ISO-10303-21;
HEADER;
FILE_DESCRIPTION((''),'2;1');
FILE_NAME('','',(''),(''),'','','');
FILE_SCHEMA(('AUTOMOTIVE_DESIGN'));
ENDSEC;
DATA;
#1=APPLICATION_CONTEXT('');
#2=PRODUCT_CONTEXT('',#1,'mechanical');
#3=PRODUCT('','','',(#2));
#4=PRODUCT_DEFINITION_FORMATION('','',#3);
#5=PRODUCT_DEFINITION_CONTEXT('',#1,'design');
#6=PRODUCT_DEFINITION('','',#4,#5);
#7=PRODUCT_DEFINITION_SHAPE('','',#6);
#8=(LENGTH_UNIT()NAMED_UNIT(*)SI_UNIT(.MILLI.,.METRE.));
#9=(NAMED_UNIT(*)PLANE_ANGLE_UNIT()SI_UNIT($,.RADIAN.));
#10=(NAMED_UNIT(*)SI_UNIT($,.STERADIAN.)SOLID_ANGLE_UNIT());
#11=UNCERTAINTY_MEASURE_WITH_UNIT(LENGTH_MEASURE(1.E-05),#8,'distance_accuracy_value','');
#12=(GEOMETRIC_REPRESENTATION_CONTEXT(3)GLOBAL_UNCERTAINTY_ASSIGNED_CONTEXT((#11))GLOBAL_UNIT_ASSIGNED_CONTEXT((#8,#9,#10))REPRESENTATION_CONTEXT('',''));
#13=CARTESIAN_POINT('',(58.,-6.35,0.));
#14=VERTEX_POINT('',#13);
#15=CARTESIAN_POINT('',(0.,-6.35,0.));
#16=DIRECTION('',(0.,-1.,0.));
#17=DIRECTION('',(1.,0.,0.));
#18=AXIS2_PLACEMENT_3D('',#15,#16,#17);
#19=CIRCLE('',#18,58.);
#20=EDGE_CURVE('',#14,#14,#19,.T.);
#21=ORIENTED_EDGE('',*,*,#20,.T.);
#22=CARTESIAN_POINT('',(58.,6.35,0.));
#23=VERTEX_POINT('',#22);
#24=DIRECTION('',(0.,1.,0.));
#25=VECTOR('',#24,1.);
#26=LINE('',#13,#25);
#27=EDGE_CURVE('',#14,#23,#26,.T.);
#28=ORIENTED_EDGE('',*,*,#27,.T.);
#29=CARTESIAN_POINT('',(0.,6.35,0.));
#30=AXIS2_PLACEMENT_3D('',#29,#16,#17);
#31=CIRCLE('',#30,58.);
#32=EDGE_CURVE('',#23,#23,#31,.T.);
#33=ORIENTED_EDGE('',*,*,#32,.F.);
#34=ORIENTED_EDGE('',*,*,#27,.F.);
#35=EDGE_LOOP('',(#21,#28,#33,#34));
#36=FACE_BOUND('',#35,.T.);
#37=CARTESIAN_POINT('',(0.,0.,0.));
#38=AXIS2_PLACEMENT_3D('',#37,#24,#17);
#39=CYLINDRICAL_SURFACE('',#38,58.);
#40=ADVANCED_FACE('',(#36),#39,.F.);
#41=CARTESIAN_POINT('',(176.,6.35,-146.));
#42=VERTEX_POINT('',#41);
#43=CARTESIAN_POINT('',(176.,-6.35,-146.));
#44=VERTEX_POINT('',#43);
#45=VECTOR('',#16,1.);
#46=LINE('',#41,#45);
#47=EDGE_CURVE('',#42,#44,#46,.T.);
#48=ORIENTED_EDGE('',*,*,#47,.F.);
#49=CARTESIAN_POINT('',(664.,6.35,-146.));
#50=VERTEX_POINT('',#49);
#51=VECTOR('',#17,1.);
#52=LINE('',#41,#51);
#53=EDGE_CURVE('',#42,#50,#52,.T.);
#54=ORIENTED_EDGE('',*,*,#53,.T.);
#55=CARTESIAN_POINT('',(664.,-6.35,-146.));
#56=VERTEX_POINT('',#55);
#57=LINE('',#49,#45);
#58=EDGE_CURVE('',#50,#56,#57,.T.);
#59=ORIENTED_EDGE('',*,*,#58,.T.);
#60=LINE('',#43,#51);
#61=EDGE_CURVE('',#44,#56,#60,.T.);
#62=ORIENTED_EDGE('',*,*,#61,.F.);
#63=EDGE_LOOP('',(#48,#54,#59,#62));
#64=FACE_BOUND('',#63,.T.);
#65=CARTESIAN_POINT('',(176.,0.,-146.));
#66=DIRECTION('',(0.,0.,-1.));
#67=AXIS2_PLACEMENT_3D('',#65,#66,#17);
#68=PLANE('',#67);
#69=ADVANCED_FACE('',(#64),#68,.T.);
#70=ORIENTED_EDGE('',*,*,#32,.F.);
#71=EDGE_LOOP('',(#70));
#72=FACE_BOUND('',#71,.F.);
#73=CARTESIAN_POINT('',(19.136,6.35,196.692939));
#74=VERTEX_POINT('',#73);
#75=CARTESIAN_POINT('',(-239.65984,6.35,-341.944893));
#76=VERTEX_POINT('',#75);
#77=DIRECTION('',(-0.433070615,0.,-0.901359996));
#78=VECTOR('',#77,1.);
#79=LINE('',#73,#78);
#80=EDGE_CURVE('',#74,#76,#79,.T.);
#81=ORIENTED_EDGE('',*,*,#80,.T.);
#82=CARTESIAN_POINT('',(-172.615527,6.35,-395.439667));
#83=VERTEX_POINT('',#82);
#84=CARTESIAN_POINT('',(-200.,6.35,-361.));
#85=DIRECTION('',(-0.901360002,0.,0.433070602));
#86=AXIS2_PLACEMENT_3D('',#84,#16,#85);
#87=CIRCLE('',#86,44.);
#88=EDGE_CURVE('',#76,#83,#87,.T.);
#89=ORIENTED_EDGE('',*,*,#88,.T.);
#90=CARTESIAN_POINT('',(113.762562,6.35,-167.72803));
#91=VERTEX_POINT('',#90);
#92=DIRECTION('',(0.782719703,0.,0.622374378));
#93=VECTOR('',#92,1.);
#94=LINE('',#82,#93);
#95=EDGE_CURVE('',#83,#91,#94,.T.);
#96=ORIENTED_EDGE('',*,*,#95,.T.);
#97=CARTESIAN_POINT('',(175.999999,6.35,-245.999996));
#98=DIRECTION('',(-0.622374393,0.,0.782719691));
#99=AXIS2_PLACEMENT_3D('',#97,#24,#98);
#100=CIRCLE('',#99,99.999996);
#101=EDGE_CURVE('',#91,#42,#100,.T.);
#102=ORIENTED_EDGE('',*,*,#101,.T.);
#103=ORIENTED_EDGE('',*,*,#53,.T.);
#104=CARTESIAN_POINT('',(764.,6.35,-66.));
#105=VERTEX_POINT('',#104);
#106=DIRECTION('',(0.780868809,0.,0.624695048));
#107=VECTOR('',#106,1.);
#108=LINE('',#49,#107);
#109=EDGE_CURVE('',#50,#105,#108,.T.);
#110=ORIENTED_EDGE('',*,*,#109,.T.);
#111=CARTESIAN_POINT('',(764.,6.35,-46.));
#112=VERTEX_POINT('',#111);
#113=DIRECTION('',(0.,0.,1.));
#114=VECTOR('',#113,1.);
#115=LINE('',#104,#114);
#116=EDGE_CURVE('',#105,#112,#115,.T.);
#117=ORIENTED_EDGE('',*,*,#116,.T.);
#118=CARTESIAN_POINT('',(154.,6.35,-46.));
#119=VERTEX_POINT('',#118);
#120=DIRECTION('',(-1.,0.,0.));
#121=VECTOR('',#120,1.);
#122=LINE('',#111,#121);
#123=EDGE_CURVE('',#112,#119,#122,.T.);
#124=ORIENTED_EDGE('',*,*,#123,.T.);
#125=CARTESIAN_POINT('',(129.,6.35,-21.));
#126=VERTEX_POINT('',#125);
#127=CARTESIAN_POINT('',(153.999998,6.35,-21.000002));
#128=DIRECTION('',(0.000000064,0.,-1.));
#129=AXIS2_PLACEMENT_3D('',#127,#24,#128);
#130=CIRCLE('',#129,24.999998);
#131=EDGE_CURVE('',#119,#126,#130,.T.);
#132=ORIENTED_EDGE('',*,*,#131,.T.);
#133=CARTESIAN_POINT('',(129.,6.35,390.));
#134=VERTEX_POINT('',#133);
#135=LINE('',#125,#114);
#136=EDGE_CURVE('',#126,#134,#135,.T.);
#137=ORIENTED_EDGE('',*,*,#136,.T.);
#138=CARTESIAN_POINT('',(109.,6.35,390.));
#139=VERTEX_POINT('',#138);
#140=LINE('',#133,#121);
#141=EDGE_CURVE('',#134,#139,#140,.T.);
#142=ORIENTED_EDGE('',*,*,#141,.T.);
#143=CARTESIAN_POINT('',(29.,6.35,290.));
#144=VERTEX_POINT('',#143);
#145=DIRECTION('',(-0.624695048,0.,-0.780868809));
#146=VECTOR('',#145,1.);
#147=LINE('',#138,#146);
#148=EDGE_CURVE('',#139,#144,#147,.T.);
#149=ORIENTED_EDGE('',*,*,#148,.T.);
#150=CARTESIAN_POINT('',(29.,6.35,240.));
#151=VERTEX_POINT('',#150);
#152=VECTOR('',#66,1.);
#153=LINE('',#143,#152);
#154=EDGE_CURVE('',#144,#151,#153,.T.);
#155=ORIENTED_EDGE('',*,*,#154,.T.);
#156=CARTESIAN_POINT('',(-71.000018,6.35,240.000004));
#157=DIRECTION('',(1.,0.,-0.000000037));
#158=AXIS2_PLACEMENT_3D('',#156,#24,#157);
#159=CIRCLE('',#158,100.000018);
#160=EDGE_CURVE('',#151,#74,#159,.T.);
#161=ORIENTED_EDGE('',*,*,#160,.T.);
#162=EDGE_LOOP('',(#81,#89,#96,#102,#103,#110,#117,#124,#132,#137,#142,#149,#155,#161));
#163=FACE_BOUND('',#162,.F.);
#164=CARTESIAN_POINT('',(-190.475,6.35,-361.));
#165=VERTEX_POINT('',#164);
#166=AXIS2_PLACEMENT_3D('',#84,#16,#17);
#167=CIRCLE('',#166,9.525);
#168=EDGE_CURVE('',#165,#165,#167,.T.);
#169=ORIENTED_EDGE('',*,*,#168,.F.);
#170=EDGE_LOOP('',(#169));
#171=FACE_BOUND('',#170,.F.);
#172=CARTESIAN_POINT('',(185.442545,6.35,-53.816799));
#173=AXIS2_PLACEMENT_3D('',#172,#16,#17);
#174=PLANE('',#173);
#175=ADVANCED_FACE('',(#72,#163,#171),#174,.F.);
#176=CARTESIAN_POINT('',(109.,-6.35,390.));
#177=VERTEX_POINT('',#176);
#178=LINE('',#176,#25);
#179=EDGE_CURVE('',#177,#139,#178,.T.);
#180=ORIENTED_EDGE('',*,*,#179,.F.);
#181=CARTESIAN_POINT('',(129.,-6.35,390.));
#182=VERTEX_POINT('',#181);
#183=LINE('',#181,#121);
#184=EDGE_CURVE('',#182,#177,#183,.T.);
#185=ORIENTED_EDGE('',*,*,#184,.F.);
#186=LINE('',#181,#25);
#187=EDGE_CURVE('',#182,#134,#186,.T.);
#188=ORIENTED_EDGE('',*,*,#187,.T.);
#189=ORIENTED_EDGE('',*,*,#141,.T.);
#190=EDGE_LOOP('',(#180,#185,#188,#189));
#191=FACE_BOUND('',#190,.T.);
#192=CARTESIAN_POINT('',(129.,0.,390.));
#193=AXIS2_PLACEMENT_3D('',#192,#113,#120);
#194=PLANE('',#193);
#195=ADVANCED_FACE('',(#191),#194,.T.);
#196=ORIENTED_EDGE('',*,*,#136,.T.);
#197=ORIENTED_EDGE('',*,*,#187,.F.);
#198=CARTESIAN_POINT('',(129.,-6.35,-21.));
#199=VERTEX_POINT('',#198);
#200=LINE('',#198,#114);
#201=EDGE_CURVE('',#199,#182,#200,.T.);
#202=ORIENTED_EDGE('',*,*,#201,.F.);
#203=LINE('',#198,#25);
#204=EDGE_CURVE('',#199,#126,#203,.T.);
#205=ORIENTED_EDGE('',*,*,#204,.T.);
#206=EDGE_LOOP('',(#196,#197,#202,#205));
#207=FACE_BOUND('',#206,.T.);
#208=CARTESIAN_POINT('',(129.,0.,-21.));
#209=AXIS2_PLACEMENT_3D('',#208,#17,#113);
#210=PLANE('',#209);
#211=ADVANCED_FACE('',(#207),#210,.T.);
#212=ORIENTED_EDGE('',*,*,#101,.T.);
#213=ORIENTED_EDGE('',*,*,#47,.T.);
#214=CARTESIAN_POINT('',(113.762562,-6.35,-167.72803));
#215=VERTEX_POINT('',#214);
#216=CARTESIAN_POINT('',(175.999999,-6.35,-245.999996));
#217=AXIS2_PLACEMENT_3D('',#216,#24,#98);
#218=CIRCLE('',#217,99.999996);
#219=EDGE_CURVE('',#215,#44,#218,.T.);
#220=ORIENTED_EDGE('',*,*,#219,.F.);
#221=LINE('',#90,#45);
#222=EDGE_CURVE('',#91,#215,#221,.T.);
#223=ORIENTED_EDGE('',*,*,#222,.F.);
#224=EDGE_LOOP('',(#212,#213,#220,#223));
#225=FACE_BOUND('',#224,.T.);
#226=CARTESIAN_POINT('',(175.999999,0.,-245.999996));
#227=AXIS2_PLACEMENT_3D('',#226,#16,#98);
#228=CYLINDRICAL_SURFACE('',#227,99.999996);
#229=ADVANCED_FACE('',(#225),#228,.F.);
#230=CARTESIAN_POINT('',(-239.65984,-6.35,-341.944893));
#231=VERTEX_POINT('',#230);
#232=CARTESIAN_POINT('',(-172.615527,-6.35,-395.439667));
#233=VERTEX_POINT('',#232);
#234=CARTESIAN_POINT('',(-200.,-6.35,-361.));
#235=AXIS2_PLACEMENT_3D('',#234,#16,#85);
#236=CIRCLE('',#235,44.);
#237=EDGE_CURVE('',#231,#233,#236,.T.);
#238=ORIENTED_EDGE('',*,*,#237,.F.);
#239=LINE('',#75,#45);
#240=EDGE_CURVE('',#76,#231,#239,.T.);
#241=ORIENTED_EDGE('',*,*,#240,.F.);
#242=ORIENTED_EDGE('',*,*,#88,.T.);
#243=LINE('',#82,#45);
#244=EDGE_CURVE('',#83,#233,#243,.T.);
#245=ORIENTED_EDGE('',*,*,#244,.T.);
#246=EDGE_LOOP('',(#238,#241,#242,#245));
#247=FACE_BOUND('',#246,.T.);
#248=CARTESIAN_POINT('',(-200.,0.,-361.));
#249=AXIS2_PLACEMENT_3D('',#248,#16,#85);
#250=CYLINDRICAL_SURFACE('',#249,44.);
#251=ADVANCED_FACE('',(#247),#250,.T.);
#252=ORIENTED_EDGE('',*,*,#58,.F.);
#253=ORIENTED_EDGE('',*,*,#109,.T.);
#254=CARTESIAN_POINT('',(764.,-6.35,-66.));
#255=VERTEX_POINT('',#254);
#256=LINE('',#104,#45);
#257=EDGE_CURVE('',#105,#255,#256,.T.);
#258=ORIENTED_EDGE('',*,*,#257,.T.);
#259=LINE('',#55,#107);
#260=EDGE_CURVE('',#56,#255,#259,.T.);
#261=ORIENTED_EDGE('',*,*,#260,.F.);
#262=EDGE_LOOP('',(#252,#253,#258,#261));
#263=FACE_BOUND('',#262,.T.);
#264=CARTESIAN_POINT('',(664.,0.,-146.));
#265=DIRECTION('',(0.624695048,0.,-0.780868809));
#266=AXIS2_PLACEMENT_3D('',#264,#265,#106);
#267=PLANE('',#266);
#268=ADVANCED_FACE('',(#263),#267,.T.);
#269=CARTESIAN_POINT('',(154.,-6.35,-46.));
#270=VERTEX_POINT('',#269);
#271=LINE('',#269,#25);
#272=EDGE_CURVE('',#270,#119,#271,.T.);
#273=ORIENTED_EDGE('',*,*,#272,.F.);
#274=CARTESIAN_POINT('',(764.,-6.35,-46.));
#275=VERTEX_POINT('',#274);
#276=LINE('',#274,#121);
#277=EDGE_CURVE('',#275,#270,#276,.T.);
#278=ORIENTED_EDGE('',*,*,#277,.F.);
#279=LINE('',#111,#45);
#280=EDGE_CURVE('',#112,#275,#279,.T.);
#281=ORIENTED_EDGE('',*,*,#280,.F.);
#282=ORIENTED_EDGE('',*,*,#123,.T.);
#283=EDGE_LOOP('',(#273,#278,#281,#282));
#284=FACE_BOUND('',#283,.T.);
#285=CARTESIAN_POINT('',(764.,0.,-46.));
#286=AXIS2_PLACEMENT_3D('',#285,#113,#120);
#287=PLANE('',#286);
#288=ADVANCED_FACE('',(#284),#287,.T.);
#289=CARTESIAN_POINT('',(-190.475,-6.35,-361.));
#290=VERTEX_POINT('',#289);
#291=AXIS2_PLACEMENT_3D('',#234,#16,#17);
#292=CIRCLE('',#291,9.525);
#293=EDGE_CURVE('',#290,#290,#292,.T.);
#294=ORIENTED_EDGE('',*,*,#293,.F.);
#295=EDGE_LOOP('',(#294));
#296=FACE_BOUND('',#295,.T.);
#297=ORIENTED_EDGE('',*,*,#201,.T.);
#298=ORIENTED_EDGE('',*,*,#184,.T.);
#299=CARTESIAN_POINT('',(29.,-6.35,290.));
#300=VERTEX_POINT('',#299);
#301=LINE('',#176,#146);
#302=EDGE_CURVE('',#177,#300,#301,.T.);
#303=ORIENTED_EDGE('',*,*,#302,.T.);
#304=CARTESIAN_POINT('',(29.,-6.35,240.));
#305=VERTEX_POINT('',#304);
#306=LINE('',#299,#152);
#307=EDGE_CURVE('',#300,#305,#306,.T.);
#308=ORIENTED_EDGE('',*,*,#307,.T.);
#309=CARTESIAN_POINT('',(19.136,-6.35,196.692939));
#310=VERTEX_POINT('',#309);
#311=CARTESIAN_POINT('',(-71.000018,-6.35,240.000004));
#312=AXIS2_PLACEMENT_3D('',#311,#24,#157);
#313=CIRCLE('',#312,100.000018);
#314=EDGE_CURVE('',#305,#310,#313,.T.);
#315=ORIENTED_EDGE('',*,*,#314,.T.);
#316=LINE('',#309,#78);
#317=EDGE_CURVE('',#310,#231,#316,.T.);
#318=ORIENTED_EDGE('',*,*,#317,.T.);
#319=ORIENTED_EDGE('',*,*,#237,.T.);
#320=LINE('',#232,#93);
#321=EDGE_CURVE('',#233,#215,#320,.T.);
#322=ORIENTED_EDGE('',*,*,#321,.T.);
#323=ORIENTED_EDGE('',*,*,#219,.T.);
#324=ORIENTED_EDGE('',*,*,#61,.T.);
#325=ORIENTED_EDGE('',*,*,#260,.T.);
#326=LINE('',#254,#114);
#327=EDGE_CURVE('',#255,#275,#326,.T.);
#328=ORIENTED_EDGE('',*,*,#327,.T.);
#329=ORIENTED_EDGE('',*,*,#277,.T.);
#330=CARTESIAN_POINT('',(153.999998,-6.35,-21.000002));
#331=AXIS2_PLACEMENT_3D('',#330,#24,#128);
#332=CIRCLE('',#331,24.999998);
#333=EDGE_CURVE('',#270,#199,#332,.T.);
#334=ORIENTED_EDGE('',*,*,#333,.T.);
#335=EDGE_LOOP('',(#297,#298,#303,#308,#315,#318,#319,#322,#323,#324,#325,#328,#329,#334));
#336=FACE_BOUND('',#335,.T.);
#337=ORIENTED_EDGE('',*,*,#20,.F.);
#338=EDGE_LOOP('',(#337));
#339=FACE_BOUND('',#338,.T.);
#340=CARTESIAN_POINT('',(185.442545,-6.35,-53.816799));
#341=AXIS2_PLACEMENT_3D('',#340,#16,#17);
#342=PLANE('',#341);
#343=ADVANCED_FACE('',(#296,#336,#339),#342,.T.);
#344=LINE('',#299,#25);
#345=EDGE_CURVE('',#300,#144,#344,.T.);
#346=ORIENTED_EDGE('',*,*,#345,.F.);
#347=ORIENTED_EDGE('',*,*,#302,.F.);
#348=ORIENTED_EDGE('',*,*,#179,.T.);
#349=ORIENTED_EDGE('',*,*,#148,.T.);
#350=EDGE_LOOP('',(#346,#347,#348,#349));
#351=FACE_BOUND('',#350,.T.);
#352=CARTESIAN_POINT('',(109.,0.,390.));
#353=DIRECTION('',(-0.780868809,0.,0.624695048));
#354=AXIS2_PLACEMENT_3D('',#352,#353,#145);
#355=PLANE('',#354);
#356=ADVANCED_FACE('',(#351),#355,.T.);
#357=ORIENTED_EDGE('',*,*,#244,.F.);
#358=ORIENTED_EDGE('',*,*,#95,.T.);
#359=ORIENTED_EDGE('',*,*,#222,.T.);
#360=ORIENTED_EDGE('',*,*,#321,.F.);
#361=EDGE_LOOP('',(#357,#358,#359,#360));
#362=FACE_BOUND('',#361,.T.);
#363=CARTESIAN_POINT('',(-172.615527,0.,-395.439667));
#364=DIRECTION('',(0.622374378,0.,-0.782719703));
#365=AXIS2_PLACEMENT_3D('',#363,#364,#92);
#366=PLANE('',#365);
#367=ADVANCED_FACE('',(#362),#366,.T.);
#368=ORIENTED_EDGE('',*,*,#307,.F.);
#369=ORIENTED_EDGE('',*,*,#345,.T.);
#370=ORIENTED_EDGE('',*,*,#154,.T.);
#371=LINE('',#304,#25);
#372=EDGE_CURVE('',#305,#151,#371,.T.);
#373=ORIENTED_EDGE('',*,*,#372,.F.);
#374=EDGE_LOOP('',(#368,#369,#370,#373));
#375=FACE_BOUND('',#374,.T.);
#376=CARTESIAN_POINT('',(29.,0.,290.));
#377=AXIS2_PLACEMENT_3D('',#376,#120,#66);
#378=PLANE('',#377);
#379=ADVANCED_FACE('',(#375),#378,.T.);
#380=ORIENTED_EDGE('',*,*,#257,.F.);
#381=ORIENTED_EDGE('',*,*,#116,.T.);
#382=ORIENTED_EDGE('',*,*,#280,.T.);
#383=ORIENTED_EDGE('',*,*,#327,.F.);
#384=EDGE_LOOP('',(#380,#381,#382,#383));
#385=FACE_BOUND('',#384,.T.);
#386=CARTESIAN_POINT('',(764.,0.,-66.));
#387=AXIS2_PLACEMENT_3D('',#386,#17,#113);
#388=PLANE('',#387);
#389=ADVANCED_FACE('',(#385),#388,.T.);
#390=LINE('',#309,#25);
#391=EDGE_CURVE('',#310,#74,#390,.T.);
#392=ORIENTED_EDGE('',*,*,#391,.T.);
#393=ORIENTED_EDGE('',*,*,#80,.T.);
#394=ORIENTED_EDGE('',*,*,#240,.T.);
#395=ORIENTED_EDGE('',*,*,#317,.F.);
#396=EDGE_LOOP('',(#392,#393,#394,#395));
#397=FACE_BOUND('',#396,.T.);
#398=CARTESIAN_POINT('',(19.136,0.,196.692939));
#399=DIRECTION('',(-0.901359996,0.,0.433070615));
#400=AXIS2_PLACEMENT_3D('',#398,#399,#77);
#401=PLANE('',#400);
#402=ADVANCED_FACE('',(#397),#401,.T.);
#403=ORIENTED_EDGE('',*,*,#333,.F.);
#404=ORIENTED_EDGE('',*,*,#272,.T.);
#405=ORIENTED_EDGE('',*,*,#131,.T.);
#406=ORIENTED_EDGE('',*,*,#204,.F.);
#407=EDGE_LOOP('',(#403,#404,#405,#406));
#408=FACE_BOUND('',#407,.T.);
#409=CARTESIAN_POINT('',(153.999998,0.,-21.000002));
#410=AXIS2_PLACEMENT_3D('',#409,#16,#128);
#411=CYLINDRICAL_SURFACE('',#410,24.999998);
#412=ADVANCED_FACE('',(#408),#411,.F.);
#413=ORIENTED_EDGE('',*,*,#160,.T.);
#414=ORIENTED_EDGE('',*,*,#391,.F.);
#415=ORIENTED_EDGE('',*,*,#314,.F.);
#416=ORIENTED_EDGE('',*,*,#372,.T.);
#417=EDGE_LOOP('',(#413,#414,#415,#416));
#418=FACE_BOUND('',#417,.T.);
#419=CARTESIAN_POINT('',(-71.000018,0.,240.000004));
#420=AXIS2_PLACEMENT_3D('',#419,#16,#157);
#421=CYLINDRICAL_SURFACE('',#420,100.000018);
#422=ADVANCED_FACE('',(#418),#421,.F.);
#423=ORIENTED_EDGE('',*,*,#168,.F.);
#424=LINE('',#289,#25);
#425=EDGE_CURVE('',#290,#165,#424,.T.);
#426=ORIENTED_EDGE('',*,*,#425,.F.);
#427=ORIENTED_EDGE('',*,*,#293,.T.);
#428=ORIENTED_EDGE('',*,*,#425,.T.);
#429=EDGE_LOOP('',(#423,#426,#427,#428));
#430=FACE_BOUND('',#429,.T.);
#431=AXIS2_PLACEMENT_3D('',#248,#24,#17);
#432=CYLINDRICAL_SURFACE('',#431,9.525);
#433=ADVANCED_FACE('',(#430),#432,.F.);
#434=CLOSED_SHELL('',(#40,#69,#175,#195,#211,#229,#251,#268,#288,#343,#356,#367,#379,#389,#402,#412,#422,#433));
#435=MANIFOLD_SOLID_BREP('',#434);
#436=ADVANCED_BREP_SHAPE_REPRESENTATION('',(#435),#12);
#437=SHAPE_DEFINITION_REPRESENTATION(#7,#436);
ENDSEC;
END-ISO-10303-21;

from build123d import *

# Parameters (mm, degrees)
F0_R     = 9.525
F0_R_2   = 58
F1_DEPTH = 6.35


with BuildPart() as f1:
    # F0 (on Front) → F1 (new body, symmetric)
    with BuildSketch(Plane.XZ):
        with BuildLine():
            Line((19.136, 196.692939), (-239.65984, -341.944893))
            ThreePointArc((-239.65984, -341.944893), (-227.442556, -395.393402), (-172.615527, -395.439667))
            Line((-172.615527, -395.439667), (113.762562, -167.72803))
            ThreePointArc((113.762562, -167.72803), (143.039395, -151.588144), (176, -146))
            Line((176, -146), (664, -146))
            Line((664, -146), (764, -66))
            Line((764, -66), (764, -46))
            Line((764, -46), (154, -46))
            ThreePointArc((154, -46), (136.32233, -38.67767), (129, -21))
            Line((129, -21), (129, 390))
            Line((129, 390), (109, 390))
            Line((109, 390), (29, 290))
            Line((29, 290), (29, 240))
            ThreePointArc((29, 240), (26.50282, 217.791893), (19.136, 196.692939))
        make_face()
        with Locations((-200, -361)):
            Circle(F0_R, mode=Mode.SUBTRACT)
        Circle(F0_R_2, mode=Mode.SUBTRACT)
    extrude(amount=F1_DEPTH, both=True)


solid = f1.part
